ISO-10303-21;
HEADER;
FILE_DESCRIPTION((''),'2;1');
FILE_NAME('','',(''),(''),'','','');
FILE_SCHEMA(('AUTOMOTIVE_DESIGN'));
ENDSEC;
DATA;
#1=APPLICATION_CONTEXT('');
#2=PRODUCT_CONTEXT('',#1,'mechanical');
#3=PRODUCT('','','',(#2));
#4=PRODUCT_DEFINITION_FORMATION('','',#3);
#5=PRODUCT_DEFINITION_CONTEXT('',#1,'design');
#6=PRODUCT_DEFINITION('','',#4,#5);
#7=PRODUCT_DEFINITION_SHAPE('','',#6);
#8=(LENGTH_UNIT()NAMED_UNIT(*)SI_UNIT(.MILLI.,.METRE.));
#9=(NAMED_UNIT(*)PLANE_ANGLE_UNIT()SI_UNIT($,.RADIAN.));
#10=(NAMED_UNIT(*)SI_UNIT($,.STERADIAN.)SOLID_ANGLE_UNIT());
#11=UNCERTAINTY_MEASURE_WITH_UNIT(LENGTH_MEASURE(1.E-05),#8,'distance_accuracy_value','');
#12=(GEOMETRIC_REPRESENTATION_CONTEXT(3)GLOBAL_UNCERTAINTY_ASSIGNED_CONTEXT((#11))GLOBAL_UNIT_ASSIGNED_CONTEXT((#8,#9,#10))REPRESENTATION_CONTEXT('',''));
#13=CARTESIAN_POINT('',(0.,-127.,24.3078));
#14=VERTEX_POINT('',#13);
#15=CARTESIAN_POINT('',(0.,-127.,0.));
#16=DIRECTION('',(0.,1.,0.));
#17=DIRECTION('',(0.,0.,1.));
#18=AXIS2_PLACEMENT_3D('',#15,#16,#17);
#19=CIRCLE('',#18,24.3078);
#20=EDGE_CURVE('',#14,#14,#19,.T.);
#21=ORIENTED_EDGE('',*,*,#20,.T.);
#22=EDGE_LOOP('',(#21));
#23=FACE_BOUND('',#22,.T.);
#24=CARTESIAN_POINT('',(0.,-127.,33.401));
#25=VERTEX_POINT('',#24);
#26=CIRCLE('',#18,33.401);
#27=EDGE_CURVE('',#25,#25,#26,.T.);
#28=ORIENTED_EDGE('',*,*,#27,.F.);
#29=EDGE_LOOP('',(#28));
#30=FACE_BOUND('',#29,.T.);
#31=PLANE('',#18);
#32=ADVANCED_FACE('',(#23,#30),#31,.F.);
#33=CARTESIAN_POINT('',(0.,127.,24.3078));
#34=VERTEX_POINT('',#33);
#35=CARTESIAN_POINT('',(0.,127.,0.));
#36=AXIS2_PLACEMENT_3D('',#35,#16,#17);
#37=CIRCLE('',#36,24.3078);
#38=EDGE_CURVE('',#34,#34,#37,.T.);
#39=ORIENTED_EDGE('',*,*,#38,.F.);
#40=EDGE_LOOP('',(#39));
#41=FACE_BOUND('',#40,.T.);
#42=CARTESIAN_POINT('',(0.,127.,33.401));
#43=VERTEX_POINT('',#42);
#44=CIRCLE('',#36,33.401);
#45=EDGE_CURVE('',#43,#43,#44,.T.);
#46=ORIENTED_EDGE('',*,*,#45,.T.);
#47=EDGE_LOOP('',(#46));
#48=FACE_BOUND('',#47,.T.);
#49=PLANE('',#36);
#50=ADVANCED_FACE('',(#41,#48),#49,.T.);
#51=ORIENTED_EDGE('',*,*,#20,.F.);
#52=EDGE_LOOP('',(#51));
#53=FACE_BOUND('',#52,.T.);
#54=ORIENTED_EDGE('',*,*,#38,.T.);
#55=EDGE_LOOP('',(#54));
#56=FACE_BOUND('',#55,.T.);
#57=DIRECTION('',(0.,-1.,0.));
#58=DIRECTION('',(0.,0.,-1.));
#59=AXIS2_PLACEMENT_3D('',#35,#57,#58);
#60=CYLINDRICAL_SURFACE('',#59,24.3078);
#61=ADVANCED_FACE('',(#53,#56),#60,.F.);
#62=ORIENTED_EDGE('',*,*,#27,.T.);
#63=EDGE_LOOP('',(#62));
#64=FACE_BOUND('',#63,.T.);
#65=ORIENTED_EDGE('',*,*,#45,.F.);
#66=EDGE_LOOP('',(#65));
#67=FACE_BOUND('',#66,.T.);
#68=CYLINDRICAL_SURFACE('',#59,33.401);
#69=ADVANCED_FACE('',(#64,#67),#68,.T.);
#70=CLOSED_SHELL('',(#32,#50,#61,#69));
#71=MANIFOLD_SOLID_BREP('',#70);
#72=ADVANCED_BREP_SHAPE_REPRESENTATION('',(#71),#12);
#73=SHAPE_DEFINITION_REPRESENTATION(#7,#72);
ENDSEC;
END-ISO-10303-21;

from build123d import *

# Parameters (mm, degrees)
SKETCH1_R           = 33.401
SKETCH1_R_2         = 24.3078
BOSS_EXTRUDE1_DEPTH = 127


with BuildPart() as part:
    # Sketch1 → Boss-Extrude1 (new, symmetric)
    with BuildSketch(Plane(origin=(0, 0, 0), x_dir=(1, 0, 0), z_dir=(0, 1, 0))):
        with Locations(Location((0, 0, 0), (0, 0, 270))):
            Circle(SKETCH1_R)
        with Locations(Location((0, 0, 0), (0, 0, 270))):
            Circle(SKETCH1_R_2, mode=Mode.SUBTRACT)
    extrude(amount=BOSS_EXTRUDE1_DEPTH, both=True)


solid = part.part
